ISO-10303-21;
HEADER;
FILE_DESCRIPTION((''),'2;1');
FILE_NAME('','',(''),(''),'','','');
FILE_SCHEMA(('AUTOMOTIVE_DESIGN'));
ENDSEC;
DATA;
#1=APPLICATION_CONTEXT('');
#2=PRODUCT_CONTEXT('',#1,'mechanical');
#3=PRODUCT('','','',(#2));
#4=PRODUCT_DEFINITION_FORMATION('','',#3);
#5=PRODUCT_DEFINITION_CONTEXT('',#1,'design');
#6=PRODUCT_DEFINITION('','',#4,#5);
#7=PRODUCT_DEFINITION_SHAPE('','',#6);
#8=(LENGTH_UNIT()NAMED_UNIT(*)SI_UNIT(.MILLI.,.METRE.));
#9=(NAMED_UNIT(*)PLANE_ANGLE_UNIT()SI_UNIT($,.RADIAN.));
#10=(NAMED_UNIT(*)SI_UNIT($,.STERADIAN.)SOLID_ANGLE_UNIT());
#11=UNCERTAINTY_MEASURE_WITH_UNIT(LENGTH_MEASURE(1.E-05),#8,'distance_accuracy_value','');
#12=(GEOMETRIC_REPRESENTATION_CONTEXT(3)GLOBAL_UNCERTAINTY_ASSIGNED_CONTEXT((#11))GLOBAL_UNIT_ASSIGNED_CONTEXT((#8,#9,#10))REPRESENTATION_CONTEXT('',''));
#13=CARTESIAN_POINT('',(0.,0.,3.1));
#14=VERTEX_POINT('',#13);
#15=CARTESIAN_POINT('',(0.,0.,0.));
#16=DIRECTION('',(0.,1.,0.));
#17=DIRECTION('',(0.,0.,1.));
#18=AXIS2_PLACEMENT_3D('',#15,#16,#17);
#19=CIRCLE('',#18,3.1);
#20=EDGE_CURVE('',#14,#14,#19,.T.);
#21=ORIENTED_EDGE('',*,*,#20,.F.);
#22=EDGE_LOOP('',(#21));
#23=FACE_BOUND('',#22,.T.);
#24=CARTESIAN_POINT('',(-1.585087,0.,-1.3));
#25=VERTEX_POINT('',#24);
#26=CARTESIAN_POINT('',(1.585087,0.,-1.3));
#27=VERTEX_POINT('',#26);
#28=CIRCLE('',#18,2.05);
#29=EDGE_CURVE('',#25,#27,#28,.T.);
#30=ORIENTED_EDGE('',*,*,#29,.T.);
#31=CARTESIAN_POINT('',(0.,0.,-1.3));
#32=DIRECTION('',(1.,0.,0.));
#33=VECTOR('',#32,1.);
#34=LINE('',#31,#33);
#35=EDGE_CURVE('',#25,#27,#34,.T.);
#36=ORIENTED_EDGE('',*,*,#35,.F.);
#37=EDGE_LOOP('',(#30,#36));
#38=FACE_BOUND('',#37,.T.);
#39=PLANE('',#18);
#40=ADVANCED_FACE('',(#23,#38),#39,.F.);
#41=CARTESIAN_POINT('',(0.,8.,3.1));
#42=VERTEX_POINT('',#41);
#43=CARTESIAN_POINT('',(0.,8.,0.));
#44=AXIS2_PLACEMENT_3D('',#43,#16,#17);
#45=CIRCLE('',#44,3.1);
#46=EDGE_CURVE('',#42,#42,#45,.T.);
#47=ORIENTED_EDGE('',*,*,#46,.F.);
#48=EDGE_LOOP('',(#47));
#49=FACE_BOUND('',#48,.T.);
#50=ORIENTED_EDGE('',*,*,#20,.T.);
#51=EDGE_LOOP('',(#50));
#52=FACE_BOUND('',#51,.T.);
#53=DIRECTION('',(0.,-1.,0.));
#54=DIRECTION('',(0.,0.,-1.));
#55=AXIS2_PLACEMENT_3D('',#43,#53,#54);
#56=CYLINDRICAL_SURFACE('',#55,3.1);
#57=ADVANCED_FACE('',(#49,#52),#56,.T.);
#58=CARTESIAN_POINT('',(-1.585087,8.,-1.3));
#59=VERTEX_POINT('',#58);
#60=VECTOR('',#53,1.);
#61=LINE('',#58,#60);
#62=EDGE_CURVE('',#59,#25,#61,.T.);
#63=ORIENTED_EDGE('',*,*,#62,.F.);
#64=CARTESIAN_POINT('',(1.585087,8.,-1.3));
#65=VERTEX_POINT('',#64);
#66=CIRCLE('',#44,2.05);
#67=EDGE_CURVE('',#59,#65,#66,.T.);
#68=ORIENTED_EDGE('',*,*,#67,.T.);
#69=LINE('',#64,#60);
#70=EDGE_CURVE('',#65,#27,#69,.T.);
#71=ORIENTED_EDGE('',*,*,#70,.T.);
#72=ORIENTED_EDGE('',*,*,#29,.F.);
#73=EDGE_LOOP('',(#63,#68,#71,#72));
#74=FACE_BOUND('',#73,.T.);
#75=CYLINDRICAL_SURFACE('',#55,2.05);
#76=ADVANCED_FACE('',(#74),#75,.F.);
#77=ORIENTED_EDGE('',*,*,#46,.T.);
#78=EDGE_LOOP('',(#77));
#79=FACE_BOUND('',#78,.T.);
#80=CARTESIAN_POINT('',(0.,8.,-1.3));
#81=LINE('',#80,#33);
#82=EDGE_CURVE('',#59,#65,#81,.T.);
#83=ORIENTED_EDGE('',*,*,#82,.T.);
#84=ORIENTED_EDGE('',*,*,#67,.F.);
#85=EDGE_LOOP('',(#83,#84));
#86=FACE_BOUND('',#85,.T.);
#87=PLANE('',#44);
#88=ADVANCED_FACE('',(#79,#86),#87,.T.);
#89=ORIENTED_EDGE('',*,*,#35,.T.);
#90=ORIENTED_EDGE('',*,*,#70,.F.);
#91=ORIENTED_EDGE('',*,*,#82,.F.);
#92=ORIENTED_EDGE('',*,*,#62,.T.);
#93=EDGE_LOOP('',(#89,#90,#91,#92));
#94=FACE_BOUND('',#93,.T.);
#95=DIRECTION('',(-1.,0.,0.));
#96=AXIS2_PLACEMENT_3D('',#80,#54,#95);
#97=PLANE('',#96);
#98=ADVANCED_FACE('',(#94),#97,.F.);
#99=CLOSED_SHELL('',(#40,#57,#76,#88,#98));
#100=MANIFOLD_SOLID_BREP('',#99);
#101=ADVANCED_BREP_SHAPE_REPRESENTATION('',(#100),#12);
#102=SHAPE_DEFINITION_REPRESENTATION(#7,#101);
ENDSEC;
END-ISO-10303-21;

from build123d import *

# Parameters (mm, degrees)
SKETCH1_R           = 3.1
BOSS_EXTRUDE1_DEPTH = 8


with BuildPart() as part:
    # Sketch1 → Boss-Extrude1 (new body)
    with BuildSketch(Plane(origin=(0, 0, 0), x_dir=(1, 0, 0), z_dir=(0, 1, 0))):
        with Locations(Location((0, 0, 0), (0, 0, 270))):
            Circle(SKETCH1_R)
        with BuildLine():
            Line((-1.585086748, 1.3), (1.585086748, 1.3))
            ThreePointArc((1.585086748, 1.3), (0, -2.05), (-1.585086748, 1.3))
        make_face(mode=Mode.SUBTRACT)
    extrude(amount=BOSS_EXTRUDE1_DEPTH)


solid = part.part
